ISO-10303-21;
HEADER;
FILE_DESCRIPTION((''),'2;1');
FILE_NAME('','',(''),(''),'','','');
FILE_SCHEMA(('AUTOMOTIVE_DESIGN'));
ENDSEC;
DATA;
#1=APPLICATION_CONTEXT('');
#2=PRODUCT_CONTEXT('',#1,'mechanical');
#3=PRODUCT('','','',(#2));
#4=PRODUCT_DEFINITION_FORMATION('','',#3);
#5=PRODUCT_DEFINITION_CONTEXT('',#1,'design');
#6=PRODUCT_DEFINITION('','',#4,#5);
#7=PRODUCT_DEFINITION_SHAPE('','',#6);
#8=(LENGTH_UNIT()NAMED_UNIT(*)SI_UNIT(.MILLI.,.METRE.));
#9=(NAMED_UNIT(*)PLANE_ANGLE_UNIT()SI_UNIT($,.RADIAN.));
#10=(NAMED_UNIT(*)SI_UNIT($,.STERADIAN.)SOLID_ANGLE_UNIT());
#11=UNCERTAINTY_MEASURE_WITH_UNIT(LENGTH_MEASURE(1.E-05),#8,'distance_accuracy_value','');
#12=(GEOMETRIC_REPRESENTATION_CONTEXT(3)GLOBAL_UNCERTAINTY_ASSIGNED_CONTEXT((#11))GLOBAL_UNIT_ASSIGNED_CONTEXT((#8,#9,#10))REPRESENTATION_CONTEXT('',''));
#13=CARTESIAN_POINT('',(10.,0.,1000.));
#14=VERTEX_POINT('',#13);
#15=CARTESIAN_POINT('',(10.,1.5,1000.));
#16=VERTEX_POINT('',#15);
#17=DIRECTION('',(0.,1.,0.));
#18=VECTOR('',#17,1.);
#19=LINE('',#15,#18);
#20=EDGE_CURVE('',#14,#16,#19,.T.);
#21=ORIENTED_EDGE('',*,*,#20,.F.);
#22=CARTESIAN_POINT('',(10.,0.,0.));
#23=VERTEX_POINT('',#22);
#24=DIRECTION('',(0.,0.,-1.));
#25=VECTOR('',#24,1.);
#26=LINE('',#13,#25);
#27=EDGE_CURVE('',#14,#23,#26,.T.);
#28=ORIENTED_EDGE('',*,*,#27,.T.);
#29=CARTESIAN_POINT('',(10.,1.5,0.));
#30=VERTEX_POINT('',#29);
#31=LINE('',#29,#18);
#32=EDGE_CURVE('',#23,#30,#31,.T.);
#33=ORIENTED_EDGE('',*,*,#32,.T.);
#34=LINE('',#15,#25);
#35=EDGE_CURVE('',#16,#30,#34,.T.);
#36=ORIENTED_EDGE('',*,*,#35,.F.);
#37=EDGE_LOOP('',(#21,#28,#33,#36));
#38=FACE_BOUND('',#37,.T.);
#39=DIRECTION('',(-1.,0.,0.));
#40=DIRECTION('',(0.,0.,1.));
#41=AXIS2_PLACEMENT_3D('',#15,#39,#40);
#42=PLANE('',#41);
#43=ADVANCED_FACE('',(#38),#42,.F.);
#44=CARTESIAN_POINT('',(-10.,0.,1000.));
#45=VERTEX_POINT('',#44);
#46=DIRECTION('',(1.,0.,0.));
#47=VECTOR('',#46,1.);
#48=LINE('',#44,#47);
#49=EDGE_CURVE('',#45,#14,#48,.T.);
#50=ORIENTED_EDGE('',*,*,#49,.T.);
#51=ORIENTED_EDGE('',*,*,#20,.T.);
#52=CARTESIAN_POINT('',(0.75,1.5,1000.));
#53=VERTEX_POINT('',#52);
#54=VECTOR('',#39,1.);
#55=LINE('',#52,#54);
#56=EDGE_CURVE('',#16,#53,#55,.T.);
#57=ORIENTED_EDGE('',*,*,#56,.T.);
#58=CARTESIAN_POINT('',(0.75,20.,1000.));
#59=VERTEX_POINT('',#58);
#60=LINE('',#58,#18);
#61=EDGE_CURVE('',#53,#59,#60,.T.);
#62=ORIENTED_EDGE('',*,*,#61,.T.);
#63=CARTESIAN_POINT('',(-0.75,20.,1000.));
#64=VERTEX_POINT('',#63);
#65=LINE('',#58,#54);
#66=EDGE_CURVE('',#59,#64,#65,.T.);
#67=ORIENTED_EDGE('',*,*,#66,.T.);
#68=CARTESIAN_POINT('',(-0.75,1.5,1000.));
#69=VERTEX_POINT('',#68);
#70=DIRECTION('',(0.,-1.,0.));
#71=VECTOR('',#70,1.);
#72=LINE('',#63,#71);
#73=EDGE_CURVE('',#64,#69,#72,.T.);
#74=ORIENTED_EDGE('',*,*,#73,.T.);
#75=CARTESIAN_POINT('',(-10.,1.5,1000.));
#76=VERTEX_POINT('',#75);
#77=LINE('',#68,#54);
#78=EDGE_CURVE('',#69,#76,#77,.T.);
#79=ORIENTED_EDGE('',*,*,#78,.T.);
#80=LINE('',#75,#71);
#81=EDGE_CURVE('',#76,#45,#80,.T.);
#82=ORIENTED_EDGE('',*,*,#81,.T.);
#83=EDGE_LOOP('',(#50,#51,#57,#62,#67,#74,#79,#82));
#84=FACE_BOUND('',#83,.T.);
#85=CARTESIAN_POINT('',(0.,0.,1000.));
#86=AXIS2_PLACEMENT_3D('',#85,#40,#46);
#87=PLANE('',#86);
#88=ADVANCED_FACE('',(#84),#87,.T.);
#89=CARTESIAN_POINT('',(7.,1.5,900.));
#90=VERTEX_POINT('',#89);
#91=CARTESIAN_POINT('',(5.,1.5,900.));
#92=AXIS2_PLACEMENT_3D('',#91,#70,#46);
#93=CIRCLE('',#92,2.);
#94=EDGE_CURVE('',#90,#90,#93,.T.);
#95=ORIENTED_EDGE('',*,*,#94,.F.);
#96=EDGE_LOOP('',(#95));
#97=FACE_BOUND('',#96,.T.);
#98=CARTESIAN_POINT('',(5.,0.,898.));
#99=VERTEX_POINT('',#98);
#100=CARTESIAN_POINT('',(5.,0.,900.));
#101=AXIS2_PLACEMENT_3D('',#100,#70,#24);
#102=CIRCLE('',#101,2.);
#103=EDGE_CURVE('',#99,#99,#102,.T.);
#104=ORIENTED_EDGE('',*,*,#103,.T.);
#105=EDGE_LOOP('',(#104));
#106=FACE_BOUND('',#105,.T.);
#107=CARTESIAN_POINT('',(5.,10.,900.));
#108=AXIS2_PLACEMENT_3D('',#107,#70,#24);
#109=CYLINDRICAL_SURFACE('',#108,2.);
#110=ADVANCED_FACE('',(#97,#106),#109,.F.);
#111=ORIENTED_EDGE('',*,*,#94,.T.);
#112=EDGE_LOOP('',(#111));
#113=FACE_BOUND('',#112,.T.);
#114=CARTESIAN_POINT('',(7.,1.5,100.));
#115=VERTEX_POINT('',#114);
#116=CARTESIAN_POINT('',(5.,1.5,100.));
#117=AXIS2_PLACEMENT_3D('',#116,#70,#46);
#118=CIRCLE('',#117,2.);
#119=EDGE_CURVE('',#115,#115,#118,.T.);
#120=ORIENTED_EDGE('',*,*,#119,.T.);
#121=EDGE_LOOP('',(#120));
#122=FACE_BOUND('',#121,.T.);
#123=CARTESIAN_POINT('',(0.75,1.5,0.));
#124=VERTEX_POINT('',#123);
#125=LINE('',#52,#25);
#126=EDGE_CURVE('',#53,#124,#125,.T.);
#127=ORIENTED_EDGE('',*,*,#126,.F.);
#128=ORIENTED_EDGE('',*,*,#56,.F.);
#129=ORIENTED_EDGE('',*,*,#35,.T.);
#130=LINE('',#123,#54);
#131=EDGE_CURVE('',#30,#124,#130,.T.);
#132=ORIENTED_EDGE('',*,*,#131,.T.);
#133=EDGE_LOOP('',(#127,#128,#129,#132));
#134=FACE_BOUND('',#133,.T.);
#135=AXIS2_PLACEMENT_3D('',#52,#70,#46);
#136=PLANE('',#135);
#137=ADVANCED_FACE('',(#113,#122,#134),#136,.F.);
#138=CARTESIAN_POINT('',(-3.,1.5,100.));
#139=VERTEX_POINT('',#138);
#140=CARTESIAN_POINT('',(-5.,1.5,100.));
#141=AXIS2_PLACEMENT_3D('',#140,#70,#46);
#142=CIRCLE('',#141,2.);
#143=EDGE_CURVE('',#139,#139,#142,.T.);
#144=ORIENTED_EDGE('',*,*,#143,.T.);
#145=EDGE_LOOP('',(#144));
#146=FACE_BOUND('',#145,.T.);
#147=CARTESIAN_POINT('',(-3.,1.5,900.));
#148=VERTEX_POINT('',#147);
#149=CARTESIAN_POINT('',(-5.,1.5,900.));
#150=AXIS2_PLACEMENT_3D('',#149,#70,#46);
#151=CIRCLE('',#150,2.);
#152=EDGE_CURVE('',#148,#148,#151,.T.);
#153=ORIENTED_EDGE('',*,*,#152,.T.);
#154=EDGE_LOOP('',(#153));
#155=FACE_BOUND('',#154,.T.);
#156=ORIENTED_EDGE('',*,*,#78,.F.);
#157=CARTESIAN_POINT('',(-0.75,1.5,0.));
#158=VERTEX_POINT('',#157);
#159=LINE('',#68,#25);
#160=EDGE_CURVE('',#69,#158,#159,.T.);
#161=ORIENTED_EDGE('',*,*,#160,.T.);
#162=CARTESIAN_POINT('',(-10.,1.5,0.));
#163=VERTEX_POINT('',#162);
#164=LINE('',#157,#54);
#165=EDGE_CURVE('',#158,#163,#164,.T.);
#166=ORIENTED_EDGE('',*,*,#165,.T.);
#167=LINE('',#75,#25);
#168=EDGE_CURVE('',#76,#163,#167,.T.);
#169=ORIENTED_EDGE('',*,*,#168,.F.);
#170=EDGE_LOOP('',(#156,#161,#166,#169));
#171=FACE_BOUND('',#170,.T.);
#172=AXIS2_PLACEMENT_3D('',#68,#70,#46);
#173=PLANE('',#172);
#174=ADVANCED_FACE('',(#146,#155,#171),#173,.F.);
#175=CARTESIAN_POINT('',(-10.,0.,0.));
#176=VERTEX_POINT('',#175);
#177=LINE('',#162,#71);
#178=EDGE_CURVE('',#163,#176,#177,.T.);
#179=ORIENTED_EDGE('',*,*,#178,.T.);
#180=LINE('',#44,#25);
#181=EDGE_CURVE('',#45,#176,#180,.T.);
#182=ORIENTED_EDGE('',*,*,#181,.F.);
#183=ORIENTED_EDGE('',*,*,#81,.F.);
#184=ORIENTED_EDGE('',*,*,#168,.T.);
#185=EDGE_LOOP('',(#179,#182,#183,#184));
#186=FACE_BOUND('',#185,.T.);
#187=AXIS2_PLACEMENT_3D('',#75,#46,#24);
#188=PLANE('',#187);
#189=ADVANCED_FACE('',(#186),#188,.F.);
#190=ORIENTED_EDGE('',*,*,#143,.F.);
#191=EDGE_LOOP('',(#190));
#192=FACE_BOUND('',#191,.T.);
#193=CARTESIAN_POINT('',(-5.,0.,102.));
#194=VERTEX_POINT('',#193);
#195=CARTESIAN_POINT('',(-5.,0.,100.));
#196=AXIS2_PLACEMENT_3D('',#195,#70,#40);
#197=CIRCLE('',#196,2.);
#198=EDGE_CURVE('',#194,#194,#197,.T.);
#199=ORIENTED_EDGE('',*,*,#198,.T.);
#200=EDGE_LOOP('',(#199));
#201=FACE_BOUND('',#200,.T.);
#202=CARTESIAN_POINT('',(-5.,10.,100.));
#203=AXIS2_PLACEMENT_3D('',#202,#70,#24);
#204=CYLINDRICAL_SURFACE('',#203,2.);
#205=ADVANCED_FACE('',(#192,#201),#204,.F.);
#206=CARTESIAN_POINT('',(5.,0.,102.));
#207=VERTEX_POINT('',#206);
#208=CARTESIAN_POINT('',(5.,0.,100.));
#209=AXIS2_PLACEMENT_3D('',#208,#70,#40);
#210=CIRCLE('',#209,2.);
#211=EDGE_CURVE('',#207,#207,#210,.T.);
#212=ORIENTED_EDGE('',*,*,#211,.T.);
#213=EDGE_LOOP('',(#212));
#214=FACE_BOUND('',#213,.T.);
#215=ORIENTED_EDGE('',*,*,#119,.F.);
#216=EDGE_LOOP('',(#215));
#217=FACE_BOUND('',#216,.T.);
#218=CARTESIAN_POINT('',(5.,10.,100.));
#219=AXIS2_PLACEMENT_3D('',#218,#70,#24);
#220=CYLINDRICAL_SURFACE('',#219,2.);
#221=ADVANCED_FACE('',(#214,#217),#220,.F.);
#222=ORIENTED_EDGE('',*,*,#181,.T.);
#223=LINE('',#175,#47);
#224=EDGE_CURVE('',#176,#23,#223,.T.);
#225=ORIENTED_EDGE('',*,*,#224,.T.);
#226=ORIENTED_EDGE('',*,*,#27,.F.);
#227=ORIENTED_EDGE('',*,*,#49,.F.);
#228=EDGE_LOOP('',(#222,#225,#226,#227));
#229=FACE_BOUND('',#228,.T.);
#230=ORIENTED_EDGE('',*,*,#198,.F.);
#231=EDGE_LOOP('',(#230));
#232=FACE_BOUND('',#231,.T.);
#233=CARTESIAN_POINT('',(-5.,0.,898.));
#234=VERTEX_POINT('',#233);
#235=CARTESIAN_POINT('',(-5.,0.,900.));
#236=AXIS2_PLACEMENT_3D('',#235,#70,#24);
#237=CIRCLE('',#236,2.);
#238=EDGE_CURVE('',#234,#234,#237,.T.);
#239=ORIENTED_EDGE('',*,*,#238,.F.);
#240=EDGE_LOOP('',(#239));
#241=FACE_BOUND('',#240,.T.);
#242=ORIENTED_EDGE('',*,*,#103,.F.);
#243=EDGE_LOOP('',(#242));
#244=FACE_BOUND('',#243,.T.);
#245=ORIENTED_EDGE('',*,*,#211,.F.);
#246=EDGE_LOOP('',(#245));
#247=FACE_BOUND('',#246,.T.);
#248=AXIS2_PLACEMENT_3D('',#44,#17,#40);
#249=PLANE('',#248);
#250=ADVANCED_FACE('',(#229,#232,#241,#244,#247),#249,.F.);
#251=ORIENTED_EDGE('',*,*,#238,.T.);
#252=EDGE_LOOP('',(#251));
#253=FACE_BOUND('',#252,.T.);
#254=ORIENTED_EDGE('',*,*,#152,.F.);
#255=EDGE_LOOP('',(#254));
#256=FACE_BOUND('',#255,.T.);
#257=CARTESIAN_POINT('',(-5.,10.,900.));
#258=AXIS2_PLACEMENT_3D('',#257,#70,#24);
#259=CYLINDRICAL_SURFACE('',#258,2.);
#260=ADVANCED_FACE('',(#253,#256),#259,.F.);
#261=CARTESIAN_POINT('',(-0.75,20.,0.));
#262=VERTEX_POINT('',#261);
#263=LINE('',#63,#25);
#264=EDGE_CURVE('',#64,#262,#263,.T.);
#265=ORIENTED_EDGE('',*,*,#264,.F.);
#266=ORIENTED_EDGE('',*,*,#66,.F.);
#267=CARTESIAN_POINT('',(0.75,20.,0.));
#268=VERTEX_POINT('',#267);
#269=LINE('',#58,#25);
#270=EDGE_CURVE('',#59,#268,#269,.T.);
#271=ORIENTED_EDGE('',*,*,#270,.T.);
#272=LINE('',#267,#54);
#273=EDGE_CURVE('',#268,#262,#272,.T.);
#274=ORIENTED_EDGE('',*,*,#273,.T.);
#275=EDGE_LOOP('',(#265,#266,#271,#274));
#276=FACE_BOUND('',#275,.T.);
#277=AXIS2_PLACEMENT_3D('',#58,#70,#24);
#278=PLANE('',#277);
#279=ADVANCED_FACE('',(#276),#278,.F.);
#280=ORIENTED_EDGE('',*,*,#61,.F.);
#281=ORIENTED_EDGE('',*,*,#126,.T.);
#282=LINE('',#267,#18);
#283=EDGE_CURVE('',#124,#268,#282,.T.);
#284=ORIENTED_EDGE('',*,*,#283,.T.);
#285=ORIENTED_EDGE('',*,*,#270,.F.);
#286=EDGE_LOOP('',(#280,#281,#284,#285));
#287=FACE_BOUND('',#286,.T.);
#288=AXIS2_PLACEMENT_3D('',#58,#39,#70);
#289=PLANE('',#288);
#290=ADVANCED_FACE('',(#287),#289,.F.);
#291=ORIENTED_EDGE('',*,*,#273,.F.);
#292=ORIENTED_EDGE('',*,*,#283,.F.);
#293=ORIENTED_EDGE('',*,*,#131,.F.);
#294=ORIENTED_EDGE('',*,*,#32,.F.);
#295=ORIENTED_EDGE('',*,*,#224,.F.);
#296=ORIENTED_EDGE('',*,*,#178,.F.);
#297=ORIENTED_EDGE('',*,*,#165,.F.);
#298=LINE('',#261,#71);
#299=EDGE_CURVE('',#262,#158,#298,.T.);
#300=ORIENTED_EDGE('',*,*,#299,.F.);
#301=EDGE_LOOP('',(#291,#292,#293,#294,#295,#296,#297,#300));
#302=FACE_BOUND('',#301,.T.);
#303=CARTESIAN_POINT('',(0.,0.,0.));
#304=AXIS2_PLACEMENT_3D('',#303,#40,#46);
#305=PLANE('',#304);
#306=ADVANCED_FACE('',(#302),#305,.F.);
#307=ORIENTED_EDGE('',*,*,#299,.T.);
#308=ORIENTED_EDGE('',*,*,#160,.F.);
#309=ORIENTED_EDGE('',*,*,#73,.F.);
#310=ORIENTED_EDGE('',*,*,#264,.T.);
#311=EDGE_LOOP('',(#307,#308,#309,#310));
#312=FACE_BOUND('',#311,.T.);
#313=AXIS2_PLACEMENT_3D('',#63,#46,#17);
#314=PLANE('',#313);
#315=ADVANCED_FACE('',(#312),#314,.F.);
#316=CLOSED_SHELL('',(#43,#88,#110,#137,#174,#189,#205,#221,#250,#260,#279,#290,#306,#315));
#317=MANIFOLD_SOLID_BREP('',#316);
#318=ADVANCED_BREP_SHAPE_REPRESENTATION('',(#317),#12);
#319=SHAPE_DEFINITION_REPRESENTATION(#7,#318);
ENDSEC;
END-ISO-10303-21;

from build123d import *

# Parameters (mm, degrees)
EXTRUDE_1_DEPTH     = 1000
SKETCH_2_R          = 2
CUT_EXTRUDE_1_DEPTH = 10


with BuildPart() as part:
    # Эскиз1 → Бобышка-Вытянуть1 (new body)
    with BuildSketch(Plane.XY):
        Polygon((0.75, 20), (-0.75, 20), (-0.75, 1.5), (-10, 1.5), (-10, 0), (10, 0), (10, 1.5), (0.75, 1.5), align=None)
    extrude(amount=EXTRUDE_1_DEPTH)

    # Эскиз2 → Вырез-Вытянуть1 (cut)
    with BuildSketch(Plane.XZ):
        with Locations(Location((5, 900, 0), (0, 0, 270))):
            Circle(SKETCH_2_R)
        with Locations(Location((-5, 900, 0), (0, 0, 270))):
            Circle(SKETCH_2_R)
        with Locations((5, 100)):
            Circle(SKETCH_2_R)
        with Locations((-5, 100)):
            Circle(SKETCH_2_R)
    extrude(amount=-CUT_EXTRUDE_1_DEPTH, mode=Mode.SUBTRACT)


solid = part.part
